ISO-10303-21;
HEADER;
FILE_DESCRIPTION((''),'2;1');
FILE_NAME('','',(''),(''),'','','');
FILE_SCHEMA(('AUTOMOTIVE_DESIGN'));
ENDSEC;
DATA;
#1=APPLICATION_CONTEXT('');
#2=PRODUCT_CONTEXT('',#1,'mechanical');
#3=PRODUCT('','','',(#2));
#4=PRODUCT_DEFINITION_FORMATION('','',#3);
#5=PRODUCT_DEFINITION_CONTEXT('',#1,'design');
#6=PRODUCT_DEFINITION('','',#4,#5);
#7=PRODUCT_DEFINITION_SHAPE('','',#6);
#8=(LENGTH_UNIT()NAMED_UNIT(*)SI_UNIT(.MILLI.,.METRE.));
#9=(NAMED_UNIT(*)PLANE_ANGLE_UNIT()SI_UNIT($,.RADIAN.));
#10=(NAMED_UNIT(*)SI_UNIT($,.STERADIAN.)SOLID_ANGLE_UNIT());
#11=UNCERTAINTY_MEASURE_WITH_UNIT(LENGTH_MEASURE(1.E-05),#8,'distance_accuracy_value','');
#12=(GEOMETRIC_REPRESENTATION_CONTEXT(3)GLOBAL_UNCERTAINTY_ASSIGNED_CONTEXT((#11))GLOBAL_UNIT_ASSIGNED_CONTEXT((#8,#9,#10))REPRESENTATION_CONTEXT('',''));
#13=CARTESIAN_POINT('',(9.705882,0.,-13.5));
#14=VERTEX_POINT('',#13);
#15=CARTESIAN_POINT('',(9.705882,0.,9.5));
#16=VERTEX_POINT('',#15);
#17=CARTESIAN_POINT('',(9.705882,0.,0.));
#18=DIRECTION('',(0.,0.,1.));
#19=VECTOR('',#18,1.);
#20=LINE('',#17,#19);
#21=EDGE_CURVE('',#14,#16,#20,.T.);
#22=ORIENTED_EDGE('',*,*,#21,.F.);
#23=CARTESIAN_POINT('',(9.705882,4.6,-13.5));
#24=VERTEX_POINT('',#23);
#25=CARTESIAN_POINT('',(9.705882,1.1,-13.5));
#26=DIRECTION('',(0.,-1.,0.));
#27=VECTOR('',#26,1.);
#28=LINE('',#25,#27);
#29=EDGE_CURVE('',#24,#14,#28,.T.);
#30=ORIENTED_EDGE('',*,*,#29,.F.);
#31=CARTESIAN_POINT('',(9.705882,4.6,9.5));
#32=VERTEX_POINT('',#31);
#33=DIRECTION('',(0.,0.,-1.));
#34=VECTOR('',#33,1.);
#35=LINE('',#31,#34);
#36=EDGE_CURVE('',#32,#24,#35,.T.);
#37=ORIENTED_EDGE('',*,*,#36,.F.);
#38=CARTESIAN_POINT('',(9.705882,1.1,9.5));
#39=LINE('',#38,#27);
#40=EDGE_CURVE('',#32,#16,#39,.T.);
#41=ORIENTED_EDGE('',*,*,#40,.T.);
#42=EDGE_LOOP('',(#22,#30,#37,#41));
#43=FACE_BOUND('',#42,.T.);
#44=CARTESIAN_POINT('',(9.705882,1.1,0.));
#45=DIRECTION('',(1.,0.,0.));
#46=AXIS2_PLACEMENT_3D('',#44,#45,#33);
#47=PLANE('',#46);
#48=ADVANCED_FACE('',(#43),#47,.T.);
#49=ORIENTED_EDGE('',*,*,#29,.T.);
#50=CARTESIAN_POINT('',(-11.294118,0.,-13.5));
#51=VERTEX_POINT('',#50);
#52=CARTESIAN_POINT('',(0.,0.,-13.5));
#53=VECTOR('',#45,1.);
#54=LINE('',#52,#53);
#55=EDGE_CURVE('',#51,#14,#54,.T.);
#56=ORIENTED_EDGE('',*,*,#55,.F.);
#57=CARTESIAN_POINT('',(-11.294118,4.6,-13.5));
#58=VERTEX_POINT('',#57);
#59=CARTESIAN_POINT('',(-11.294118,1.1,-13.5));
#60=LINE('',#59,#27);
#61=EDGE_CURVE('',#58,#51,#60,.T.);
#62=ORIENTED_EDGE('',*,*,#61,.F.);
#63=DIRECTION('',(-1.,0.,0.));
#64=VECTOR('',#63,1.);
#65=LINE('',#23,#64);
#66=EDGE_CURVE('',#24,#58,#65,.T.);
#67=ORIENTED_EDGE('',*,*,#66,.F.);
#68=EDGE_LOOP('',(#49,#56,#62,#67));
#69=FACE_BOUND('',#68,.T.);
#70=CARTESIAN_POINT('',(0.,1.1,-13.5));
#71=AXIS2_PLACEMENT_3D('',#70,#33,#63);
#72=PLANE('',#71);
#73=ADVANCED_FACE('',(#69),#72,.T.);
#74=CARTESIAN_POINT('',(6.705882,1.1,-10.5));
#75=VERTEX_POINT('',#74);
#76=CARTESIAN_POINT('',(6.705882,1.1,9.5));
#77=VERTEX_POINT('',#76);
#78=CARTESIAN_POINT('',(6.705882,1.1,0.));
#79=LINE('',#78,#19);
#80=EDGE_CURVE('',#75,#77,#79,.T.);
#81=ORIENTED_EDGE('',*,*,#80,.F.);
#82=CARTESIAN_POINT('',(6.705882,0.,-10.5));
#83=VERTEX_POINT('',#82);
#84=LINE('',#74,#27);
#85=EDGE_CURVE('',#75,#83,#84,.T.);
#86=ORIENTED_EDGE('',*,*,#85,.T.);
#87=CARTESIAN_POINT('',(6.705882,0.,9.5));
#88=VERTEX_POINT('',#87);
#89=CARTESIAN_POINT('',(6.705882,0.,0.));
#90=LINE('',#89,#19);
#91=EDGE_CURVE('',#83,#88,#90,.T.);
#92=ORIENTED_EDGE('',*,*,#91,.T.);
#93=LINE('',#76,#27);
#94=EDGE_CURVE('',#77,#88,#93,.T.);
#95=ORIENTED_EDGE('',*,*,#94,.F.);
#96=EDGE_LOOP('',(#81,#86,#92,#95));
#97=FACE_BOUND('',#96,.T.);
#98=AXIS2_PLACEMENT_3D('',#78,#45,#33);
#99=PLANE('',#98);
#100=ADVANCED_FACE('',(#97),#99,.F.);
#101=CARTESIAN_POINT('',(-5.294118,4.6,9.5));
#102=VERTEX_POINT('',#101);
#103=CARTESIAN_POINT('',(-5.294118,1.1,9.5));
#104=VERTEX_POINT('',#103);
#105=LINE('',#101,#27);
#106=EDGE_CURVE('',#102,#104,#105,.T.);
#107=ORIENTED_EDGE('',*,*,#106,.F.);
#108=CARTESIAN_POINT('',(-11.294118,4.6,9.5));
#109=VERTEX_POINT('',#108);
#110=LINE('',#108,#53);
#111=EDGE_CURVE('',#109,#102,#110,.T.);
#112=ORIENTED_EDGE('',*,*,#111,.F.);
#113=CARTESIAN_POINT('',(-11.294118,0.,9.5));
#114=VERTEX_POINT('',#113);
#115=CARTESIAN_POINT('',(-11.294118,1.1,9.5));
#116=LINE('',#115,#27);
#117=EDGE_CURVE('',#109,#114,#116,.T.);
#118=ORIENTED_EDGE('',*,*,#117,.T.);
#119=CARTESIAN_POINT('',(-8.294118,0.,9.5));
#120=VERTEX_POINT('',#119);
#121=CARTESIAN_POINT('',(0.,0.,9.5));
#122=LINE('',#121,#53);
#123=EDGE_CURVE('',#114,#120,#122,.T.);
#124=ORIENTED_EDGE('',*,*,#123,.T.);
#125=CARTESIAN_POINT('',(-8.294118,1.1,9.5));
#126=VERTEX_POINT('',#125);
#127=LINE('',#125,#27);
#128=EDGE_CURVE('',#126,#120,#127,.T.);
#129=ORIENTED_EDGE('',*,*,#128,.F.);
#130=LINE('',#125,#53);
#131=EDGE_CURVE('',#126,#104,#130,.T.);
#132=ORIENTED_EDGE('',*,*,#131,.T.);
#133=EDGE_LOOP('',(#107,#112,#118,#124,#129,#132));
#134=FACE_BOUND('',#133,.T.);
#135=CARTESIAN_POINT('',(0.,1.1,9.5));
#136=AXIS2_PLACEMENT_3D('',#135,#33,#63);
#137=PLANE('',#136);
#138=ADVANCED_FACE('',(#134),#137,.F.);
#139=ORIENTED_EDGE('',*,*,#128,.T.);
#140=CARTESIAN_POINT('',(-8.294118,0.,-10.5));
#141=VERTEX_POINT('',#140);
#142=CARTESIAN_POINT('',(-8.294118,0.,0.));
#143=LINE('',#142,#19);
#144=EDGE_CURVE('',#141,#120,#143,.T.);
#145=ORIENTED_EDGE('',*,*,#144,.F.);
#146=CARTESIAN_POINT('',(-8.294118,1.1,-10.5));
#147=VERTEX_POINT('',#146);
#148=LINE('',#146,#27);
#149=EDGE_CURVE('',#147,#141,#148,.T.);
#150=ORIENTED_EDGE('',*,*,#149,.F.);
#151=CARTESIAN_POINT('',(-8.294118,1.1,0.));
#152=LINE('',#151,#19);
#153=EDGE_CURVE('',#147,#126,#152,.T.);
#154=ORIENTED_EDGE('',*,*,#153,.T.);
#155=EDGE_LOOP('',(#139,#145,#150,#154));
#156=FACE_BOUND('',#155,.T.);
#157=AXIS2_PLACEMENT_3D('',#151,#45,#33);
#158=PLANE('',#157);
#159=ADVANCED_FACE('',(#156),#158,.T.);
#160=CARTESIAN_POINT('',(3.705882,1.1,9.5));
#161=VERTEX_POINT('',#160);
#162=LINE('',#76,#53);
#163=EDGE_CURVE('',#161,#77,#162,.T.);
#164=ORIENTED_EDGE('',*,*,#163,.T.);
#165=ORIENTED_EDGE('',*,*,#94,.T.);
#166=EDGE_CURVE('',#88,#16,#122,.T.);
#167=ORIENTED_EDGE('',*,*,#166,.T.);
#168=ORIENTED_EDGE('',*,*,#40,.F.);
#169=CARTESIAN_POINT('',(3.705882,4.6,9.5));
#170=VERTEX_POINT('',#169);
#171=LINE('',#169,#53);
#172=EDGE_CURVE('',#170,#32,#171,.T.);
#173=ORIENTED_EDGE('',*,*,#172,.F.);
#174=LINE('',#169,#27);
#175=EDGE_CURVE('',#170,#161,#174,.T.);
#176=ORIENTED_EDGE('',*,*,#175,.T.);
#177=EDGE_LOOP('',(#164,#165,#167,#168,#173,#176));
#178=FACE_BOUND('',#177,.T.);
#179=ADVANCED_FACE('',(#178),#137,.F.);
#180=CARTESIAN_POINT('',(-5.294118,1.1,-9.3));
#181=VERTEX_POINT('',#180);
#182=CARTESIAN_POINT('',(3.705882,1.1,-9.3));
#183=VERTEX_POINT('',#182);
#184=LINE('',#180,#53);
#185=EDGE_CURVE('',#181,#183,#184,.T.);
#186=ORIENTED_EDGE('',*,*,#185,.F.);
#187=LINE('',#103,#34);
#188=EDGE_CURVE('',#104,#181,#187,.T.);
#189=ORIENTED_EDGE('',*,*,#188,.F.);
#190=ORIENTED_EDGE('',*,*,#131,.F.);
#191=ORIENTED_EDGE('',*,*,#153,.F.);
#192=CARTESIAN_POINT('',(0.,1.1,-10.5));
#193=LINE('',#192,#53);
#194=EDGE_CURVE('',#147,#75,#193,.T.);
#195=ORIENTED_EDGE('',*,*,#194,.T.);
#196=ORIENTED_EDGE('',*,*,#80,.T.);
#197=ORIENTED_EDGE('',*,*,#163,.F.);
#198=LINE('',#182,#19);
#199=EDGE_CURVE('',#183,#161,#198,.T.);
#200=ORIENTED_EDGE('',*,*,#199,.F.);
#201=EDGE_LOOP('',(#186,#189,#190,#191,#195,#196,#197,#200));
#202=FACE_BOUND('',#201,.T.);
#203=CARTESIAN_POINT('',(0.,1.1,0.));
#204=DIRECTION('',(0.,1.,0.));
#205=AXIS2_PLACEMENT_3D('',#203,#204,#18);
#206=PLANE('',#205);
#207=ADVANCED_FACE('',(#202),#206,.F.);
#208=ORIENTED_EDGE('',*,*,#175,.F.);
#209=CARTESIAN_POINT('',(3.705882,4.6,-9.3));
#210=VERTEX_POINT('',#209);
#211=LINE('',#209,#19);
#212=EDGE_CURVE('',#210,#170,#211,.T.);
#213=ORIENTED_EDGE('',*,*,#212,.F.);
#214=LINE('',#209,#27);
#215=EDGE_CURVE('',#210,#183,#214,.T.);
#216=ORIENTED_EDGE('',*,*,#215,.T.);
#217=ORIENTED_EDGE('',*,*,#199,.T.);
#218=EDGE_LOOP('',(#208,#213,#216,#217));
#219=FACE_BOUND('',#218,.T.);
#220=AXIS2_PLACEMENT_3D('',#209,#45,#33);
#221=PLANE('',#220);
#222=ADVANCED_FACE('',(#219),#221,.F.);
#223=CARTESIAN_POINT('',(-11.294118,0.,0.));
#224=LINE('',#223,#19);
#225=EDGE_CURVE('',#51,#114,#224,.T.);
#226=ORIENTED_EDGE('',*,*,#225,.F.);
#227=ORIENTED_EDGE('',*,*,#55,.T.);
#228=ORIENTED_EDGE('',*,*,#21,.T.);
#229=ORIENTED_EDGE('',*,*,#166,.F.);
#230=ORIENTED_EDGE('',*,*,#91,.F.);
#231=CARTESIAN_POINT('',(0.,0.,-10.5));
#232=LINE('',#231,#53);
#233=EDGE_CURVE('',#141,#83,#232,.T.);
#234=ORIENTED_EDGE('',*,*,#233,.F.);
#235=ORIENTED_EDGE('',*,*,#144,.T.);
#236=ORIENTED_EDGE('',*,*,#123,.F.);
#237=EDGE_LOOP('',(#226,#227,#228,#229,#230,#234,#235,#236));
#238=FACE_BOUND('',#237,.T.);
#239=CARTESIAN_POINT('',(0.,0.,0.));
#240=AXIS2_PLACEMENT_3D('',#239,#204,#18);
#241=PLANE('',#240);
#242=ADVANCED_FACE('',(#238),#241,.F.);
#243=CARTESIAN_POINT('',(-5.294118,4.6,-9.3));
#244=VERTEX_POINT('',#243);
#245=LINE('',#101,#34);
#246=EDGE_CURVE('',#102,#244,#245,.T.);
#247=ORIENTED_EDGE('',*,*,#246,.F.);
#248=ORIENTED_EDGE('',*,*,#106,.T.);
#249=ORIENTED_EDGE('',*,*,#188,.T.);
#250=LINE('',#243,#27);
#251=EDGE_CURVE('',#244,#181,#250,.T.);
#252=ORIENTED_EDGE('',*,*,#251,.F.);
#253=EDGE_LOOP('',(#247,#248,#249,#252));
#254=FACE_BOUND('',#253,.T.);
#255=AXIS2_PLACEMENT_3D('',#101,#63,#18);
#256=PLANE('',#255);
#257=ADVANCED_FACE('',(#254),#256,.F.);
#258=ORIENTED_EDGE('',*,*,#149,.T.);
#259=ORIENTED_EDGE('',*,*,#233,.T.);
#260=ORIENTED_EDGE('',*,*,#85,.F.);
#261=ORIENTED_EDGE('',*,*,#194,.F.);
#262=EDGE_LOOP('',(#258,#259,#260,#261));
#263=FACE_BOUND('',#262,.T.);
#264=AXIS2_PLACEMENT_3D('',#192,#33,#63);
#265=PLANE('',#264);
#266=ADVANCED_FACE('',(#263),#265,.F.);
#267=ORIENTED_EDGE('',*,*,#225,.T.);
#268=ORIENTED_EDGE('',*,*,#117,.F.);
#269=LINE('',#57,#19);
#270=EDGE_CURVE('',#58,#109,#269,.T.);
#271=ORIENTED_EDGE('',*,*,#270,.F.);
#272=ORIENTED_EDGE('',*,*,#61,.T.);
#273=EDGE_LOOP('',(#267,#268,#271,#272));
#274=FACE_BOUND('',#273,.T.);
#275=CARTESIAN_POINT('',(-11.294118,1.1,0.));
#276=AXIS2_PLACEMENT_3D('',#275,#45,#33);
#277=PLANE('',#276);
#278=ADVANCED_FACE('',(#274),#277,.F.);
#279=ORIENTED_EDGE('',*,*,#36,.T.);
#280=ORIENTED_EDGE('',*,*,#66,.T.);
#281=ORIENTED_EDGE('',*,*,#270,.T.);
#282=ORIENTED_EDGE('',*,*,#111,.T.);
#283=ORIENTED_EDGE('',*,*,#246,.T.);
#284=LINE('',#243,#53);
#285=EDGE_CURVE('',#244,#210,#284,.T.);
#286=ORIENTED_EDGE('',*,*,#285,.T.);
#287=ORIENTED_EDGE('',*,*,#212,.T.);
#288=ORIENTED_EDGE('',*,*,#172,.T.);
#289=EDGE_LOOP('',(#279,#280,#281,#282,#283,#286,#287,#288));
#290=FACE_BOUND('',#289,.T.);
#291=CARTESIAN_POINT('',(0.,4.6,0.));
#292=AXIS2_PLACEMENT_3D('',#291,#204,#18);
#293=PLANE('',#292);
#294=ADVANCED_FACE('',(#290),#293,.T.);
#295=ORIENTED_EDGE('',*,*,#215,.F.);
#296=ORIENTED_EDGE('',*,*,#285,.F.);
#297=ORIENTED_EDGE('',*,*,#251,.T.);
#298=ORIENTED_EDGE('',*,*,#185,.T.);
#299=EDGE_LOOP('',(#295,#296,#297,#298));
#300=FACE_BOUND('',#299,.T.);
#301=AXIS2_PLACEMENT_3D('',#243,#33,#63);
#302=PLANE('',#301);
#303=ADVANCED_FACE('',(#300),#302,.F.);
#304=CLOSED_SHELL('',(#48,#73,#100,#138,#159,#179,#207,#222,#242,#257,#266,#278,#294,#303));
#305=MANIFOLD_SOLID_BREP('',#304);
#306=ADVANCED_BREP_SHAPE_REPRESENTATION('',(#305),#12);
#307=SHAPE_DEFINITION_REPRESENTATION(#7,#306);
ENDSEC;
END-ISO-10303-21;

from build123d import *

# Parameters (mm, degrees)
BOSS_EXTRUDE1_DEPTH = 1.1
BOSS_EXTRUDE2_DEPTH = 3.5


with BuildPart() as part:
    # Sketch1 → Boss-Extrude1 (new body)
    with BuildSketch(Plane(origin=(0, 0, 0), x_dir=(1, 0, 0), z_dir=(0, 1, 0))):
        Polygon((9.705882353, 13.5), (-11.294117647, 13.5), (-11.294117647, -9.5), (-8.294117647, -9.5), (-8.294117647, 10.5), (6.705882353, 10.5), (6.705882353, -9.5), (9.705882353, -9.5), align=None)
    extrude(amount=BOSS_EXTRUDE1_DEPTH)

    # Sketch2 → Boss-Extrude2 (add)
    with BuildSketch(Plane(origin=(0, 1.1, 0), x_dir=(1, 0, 0), z_dir=(0, 1, 0))):
        Polygon((-8.294117647, -9.5), (-5.294117647, -9.5), (-5.294117647, 9.3), (3.705882353, 9.3), (3.705882353, -9.5), (6.705882353, -9.5), (9.705882353, -9.5), (9.705882353, 13.5), (-11.294117647, 13.5), (-11.294117647, -9.5), align=None)
    extrude(amount=BOSS_EXTRUDE2_DEPTH)


solid = part.part
